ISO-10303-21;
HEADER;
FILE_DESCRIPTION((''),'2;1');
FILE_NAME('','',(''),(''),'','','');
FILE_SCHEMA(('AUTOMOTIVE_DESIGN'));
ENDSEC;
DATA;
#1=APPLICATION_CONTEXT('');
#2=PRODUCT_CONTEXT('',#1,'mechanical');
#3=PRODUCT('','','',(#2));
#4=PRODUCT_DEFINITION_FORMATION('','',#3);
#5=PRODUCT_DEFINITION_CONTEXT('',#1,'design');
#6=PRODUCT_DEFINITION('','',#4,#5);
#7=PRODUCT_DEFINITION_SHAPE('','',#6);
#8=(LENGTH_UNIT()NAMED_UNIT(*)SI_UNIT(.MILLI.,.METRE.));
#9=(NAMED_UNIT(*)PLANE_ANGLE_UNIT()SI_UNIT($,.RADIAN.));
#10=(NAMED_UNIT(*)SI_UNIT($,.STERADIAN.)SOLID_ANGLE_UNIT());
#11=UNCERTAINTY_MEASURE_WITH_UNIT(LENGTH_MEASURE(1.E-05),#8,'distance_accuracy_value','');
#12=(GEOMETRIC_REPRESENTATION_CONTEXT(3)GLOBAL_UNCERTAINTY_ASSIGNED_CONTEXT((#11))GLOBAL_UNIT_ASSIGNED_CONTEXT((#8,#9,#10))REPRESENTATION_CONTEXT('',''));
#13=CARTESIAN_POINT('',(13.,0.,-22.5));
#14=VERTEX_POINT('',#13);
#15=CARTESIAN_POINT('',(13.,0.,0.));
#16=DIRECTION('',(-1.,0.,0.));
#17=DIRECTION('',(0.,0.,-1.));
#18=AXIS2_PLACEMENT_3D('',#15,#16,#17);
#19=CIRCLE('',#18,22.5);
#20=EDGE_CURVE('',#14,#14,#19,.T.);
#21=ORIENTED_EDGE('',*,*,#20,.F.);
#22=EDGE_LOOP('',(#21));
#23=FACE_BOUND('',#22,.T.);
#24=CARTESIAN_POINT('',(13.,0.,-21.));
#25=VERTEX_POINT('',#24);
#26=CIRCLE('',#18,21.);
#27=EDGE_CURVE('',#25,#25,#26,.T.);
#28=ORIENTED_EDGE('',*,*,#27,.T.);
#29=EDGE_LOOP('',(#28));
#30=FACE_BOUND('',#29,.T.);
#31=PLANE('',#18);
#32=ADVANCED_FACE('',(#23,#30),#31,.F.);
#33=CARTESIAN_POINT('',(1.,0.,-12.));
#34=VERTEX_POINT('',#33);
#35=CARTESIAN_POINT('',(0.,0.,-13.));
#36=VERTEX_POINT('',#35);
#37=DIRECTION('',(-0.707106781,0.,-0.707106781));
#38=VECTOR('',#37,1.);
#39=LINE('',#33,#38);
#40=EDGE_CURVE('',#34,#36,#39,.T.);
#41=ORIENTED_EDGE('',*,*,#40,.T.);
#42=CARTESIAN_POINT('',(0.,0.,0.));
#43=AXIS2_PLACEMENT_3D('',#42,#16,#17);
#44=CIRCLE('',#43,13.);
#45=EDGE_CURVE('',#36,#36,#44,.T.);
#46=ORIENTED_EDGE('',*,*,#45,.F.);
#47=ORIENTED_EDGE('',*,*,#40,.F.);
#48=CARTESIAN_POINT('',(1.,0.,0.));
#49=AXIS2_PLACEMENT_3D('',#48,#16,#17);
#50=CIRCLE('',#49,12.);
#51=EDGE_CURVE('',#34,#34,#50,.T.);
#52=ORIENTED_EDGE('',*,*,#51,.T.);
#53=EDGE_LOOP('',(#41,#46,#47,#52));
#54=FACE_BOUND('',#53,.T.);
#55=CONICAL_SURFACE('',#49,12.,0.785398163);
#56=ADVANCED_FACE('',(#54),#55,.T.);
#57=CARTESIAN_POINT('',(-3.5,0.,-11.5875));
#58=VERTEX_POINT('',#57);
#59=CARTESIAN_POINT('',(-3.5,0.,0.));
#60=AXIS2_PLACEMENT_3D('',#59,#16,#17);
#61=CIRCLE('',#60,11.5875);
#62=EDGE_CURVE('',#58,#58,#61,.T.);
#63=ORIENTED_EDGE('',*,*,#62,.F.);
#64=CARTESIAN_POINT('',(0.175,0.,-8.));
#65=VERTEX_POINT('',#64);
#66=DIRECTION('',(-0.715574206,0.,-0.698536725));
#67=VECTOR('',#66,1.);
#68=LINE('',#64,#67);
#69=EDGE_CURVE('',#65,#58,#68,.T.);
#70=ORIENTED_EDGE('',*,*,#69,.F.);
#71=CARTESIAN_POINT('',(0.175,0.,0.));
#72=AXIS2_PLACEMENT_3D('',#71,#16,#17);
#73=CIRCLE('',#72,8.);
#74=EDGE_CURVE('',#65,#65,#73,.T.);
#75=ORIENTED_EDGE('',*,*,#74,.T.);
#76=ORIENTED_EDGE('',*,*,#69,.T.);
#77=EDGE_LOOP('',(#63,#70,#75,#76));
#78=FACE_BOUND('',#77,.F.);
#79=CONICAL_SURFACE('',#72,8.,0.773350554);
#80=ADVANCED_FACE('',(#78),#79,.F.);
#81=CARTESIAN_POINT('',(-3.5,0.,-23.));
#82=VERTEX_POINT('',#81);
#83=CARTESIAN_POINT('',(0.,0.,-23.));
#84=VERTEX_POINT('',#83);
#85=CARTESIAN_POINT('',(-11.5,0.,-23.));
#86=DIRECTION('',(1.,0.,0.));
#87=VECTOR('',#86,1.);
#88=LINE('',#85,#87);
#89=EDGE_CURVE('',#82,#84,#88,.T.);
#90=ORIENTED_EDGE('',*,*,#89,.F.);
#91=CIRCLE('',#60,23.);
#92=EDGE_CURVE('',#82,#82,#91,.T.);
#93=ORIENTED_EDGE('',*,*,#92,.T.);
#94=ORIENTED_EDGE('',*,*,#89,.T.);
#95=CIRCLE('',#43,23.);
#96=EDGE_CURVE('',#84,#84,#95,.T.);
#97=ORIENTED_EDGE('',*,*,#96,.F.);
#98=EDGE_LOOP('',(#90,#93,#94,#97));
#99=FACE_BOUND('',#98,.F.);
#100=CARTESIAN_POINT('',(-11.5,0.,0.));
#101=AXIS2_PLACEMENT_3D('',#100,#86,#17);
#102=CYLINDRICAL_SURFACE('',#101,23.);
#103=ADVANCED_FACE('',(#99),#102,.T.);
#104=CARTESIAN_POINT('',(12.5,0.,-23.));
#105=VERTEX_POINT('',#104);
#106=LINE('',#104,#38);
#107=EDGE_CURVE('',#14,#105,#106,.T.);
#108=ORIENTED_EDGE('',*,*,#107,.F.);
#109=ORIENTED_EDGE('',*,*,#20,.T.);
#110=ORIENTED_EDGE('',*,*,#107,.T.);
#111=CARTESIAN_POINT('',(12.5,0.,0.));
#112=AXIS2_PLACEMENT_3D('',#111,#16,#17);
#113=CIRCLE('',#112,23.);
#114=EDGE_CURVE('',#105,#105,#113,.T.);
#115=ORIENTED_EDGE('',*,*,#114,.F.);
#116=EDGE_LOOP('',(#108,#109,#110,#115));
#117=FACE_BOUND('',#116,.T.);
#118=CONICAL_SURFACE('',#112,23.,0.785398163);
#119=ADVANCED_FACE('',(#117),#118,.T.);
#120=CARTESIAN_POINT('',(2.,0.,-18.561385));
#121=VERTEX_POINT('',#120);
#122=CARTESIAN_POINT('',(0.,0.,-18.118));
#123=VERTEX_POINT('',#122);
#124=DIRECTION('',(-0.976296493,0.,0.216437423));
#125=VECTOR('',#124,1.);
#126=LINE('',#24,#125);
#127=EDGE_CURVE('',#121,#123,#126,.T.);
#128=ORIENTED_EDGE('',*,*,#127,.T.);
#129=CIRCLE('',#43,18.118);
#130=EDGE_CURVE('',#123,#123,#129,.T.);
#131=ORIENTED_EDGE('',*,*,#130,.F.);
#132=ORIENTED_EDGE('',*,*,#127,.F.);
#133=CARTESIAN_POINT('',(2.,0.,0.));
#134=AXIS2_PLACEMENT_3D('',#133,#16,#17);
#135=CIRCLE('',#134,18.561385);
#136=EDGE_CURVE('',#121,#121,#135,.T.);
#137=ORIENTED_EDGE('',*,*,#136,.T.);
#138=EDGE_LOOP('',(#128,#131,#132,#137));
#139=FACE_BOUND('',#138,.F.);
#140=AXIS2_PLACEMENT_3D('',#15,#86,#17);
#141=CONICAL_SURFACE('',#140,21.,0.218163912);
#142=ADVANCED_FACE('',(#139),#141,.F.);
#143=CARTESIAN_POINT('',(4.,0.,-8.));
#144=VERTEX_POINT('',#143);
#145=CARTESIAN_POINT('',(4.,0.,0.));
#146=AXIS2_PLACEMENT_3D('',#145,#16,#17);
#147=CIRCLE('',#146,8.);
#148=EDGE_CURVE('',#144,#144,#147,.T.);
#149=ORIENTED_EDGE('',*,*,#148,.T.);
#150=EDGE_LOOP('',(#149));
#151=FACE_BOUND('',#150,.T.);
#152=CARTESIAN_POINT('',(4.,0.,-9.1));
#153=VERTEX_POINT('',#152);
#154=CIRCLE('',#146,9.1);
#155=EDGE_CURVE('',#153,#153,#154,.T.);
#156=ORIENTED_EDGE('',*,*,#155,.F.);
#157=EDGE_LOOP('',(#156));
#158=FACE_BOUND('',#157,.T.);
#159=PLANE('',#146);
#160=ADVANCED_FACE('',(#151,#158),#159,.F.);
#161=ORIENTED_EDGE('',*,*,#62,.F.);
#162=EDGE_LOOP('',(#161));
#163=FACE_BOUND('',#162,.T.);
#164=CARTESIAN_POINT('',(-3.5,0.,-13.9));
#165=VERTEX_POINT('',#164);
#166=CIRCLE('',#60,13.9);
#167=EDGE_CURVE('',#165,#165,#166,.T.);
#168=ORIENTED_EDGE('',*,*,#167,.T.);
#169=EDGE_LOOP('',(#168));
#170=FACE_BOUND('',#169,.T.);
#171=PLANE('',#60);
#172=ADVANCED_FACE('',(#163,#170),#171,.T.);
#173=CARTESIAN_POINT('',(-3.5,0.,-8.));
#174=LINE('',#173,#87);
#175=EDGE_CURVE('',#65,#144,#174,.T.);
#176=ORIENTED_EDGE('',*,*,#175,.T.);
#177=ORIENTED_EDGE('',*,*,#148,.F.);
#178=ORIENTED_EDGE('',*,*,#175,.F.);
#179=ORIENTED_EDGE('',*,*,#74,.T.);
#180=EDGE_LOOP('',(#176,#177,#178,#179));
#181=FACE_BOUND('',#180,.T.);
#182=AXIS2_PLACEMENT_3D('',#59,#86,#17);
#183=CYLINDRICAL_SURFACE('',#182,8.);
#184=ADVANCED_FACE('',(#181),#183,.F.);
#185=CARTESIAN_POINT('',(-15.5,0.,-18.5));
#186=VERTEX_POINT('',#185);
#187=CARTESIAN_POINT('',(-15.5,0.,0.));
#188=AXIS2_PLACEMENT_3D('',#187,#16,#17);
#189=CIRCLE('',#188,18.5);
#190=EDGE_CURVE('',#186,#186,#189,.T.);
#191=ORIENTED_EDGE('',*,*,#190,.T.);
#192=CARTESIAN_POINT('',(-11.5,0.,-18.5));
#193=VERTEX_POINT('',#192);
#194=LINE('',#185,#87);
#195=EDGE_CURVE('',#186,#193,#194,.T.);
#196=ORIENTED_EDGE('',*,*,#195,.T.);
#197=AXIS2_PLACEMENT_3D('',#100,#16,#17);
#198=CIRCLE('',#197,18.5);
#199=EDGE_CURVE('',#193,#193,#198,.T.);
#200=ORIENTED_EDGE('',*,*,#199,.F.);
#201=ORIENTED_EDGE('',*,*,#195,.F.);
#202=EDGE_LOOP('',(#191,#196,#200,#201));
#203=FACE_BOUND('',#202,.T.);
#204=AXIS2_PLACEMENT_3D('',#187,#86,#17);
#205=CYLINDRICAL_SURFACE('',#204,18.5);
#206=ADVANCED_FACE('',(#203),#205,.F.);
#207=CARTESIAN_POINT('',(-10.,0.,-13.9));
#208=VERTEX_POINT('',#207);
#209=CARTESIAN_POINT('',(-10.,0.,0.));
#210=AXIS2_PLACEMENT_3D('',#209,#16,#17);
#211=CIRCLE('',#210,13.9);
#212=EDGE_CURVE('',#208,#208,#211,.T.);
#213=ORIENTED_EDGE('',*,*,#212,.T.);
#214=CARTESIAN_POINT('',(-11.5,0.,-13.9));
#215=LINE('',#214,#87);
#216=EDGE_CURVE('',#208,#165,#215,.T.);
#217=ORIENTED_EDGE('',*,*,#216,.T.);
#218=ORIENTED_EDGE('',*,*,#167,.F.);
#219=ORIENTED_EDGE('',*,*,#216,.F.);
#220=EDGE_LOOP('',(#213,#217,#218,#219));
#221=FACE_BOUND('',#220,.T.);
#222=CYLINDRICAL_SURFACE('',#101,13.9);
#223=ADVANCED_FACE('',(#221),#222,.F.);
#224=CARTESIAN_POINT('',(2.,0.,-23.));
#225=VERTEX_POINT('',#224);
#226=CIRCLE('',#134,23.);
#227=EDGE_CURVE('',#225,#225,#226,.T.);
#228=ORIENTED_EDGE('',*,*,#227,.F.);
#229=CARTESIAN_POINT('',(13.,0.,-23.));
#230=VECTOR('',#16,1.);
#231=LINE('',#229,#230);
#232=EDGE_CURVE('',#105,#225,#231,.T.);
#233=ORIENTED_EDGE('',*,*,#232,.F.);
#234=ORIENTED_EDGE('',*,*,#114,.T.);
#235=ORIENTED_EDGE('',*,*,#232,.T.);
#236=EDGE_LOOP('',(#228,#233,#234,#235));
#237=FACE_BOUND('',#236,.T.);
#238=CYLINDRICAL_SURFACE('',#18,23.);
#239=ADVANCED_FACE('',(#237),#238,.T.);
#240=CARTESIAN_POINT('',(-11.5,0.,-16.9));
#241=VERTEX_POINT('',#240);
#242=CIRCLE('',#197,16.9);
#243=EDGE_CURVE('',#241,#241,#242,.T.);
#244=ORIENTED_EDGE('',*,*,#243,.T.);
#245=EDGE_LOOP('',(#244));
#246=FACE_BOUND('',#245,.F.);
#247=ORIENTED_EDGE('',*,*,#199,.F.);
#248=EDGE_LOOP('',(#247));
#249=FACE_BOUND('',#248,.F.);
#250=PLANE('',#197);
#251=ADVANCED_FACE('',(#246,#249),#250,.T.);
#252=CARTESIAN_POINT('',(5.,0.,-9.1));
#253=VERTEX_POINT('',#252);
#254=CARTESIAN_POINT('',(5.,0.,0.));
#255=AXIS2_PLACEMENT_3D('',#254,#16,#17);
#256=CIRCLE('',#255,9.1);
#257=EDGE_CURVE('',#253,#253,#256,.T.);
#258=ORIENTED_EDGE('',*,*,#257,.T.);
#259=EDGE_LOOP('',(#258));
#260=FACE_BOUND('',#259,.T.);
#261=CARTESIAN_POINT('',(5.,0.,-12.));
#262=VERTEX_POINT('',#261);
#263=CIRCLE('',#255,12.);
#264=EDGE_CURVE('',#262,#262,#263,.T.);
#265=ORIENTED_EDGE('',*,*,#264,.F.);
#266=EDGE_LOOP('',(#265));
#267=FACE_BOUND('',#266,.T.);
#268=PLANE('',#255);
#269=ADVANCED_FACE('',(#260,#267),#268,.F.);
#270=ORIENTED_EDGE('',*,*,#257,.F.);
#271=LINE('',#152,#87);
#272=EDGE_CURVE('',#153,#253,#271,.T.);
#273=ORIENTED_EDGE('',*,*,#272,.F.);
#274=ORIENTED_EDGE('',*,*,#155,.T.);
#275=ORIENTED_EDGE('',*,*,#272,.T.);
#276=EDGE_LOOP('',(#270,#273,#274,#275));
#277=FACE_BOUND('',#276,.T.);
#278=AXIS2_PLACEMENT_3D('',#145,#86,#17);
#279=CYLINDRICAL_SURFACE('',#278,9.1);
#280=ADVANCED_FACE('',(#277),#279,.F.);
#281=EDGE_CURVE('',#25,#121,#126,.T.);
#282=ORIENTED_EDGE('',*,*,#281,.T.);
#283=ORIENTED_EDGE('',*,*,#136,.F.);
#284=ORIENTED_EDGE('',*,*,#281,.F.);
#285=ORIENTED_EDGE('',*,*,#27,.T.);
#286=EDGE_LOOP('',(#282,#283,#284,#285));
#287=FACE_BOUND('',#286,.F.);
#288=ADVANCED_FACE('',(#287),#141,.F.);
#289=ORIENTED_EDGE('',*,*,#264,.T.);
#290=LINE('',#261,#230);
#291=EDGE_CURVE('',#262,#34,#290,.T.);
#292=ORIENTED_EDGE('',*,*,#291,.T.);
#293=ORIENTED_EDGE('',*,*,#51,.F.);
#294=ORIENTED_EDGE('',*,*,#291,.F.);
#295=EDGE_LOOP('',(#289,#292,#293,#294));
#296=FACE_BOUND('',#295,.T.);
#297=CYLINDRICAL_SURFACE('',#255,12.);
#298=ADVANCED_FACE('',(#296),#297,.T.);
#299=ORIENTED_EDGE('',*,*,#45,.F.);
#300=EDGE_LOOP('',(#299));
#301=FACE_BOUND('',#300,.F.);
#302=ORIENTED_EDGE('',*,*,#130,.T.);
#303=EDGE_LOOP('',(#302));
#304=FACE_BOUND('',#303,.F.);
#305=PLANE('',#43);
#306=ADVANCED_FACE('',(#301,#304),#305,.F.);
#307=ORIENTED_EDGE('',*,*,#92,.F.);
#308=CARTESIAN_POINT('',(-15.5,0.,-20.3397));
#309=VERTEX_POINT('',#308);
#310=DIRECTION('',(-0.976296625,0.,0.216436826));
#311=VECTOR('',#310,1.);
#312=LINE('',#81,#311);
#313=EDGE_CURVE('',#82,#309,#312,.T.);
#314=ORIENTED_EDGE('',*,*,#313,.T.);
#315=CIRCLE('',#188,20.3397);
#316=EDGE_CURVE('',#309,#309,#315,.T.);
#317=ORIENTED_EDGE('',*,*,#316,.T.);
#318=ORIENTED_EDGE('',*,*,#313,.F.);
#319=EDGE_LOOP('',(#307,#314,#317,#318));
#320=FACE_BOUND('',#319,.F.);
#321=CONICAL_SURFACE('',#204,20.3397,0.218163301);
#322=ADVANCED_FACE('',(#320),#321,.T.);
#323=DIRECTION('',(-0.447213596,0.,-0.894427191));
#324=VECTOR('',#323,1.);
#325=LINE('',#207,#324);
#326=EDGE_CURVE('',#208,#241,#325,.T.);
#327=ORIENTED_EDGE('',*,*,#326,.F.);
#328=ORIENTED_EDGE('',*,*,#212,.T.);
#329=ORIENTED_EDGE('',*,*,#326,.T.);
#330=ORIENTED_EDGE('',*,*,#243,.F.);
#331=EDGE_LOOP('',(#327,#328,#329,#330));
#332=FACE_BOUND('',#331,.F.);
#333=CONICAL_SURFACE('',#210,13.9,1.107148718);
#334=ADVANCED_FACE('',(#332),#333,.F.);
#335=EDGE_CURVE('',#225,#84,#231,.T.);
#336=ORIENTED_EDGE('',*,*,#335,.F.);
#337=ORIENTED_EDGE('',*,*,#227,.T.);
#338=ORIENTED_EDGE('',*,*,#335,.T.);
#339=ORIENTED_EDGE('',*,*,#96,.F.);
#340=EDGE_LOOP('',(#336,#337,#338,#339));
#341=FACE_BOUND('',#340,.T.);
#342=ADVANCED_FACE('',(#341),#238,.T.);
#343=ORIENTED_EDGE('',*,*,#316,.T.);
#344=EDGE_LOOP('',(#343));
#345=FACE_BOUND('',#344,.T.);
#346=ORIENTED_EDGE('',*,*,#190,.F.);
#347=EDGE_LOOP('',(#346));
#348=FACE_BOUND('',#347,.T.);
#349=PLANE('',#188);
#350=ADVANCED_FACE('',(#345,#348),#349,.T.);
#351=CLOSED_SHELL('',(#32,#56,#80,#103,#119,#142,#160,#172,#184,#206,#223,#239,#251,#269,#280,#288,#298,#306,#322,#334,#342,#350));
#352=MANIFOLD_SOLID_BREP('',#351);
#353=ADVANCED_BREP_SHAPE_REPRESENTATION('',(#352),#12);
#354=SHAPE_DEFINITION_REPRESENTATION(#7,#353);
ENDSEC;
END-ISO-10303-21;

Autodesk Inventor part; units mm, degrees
ref_plane "YZ Plane" through (0, 0, 0) normal (1, 0, 0) x (0, 1, 0)
ref_plane "XZ Plane" through (0, 0, 0) normal (0, 1, 0) x (-1, 0, 0)
ref_plane "XY Plane" through (0, 0, 0) normal (0, 0, 1) x (1, 0, 0)
sketch "Sketch1" plane through (0, 0, 0) normal (0, 1, 0) x (-1, 0, 0)
  line L0 (0, 0) -> (3.5, 0)
  line L1 (3.5, 0) -> (3.5, -8)
  line L2 (3.5, -8) -> (0, -8)
  line L3 (0, -8) -> (0, 0)
  line L4 (3.5, 0) -> (11.5, 0)
  line L5 (11.5, 0) -> (11.5, -13.9)
  line L6 (11.5, -13.9) -> (3.5, -13.9)
  line L7 (3.5, -13.9) -> (3.5, 0)
  line L8 (0, 0) -> (-13, 0)
  line L9 (-13, 0) -> (-13, -23)
  line L10 (-13, -23) -> (0, -23)
  line L11 (0, -23) -> (0, 0)
  line L12 (-13, -21) -> (0, -18.118)
  line L13 (-13, 0) -> (11.5, 0)
  line L14 (11.5, 0) -> (11.5, -23)
  line L15 (11.5, -23) -> (-13, -23)
  line L16 (-13, -23) -> (-13, 0)
  line L17 (-13, -23) -> (0, -20.118) construction
  line L18 (11.5, -23) -> (15.5, -23)
  line L19 (15.5, -23) -> (15.5, -18.5)
  line L20 (15.5, -18.5) -> (11.5, -18.5)
  line L21 (11.5, -18.5) -> (11.5, -23)
  line L22 (0, -8) -> (-5, -8)
  line L23 (-5, -8) -> (-5, -12)
  line L24 (-5, -12) -> (0, -12)
  line L25 (0, -12) -> (0, -8)
  line L26 (3.5, -8) -> (-2, -8)
  line L27 (-2, -8) -> (-2, -23)
  line L28 (-2, -23) -> (3.5, -23)
  line L29 (3.5, -23) -> (3.5, -8)
  line L30 (-5, -8) -> (-4, -8)
  line L31 (-4, -8) -> (-4, -9.1)
  line L32 (-4, -9.1) -> (-5, -9.1)
  line L33 (-5, -9.1) -> (-5, -8)
  line L34 (15.5, -20.3397) -> (3.5, -23)
  point P0 (3.5, -8)
  point P1 (0, -8)
  point P2 (0, -23)
  point P3 (11.5, -18.5)
  point P4 (0, -12)
  point P5 (0, -8)
  point P6 (0, -23)
  point P7 (3.5, -8)
  point P8 (-2, -12)
  point P9 (-2, -18.5614)
  point P10 (-4, -8)
  point P11 (-5, -9.1)
  point P12 (3.5, 0)
  point P13 (0, -12)
  dimension "d0" = 3.5
  dimension "d1" = 8
  dimension "d2" = 8
  dimension "d3" = 13.9
  dimension "d6" = 13
  dimension "d7" = 23
  dimension "d9" = 21
  dimension "d35" = 4
  dimension "d36" = 18.5
  dimension "d41" = 4
  dimension "d42" = 12.5
  dimension "d43" = 8.5
  dimension "d44" = 5.5
  dimension "d45" = 1
  dimension "d46" = 1.1
revolve "Revolution1" add sketch "Sketch1" angle 360 about axis through (0, 0, 0) along (-1, 0, 0) contours L2 L7 L29 L15 L11 | L11 L24 L27 L22 | L27 L24 L23 L32 L31 L22 | L12 L27 L10 L9 | L6 L14 L34 L29 | L11 L10 L27 L12 | L20 L19 L34 L14
chamfer "Chamfer2" distance 3.675 distance2 3.5875 1 edges at (-3.5, 0, 8) measured on face at (1.5, 1.2833, -7.8964)
chamfer "Chamfer4" distance 0.5 angle 45 1 edges at (13, 0, 23)
chamfer "Chamfer5" distance 1.5 distance2 3 1 edges at (-11.5, 0, 13.9) measured on face at (-6.1667, 1.1185, -13.8549)
chamfer "Chamfer6" distance 1 angle 45 1 edges at (0, 0, 12)
sketch "Sketch5" plane through (13, 0, 0) normal (1, 0, 0) x (0, 0, -1)
  line L0 (-22, -22) -> (22, -22)
  line L1 (22, -22) -> (22, 22)
  line L2 (22, 22) -> (-22, 22)
  line L3 (-22, 22) -> (-22, -22)
  line L4 (-22, -22) -> (22, 22) construction
  line L5 (22, -22) -> (-22, 22) construction
  circle A0 centre (0, 0) radius 35
  point P0 (0, 0)
  dimension "d53" = 44
  dimension "d54" = 44
  dimension "d55" = 70
equation "\"d53\" = d54"
properties part number "Flywheel" material "Brass, Soft Yellow"
